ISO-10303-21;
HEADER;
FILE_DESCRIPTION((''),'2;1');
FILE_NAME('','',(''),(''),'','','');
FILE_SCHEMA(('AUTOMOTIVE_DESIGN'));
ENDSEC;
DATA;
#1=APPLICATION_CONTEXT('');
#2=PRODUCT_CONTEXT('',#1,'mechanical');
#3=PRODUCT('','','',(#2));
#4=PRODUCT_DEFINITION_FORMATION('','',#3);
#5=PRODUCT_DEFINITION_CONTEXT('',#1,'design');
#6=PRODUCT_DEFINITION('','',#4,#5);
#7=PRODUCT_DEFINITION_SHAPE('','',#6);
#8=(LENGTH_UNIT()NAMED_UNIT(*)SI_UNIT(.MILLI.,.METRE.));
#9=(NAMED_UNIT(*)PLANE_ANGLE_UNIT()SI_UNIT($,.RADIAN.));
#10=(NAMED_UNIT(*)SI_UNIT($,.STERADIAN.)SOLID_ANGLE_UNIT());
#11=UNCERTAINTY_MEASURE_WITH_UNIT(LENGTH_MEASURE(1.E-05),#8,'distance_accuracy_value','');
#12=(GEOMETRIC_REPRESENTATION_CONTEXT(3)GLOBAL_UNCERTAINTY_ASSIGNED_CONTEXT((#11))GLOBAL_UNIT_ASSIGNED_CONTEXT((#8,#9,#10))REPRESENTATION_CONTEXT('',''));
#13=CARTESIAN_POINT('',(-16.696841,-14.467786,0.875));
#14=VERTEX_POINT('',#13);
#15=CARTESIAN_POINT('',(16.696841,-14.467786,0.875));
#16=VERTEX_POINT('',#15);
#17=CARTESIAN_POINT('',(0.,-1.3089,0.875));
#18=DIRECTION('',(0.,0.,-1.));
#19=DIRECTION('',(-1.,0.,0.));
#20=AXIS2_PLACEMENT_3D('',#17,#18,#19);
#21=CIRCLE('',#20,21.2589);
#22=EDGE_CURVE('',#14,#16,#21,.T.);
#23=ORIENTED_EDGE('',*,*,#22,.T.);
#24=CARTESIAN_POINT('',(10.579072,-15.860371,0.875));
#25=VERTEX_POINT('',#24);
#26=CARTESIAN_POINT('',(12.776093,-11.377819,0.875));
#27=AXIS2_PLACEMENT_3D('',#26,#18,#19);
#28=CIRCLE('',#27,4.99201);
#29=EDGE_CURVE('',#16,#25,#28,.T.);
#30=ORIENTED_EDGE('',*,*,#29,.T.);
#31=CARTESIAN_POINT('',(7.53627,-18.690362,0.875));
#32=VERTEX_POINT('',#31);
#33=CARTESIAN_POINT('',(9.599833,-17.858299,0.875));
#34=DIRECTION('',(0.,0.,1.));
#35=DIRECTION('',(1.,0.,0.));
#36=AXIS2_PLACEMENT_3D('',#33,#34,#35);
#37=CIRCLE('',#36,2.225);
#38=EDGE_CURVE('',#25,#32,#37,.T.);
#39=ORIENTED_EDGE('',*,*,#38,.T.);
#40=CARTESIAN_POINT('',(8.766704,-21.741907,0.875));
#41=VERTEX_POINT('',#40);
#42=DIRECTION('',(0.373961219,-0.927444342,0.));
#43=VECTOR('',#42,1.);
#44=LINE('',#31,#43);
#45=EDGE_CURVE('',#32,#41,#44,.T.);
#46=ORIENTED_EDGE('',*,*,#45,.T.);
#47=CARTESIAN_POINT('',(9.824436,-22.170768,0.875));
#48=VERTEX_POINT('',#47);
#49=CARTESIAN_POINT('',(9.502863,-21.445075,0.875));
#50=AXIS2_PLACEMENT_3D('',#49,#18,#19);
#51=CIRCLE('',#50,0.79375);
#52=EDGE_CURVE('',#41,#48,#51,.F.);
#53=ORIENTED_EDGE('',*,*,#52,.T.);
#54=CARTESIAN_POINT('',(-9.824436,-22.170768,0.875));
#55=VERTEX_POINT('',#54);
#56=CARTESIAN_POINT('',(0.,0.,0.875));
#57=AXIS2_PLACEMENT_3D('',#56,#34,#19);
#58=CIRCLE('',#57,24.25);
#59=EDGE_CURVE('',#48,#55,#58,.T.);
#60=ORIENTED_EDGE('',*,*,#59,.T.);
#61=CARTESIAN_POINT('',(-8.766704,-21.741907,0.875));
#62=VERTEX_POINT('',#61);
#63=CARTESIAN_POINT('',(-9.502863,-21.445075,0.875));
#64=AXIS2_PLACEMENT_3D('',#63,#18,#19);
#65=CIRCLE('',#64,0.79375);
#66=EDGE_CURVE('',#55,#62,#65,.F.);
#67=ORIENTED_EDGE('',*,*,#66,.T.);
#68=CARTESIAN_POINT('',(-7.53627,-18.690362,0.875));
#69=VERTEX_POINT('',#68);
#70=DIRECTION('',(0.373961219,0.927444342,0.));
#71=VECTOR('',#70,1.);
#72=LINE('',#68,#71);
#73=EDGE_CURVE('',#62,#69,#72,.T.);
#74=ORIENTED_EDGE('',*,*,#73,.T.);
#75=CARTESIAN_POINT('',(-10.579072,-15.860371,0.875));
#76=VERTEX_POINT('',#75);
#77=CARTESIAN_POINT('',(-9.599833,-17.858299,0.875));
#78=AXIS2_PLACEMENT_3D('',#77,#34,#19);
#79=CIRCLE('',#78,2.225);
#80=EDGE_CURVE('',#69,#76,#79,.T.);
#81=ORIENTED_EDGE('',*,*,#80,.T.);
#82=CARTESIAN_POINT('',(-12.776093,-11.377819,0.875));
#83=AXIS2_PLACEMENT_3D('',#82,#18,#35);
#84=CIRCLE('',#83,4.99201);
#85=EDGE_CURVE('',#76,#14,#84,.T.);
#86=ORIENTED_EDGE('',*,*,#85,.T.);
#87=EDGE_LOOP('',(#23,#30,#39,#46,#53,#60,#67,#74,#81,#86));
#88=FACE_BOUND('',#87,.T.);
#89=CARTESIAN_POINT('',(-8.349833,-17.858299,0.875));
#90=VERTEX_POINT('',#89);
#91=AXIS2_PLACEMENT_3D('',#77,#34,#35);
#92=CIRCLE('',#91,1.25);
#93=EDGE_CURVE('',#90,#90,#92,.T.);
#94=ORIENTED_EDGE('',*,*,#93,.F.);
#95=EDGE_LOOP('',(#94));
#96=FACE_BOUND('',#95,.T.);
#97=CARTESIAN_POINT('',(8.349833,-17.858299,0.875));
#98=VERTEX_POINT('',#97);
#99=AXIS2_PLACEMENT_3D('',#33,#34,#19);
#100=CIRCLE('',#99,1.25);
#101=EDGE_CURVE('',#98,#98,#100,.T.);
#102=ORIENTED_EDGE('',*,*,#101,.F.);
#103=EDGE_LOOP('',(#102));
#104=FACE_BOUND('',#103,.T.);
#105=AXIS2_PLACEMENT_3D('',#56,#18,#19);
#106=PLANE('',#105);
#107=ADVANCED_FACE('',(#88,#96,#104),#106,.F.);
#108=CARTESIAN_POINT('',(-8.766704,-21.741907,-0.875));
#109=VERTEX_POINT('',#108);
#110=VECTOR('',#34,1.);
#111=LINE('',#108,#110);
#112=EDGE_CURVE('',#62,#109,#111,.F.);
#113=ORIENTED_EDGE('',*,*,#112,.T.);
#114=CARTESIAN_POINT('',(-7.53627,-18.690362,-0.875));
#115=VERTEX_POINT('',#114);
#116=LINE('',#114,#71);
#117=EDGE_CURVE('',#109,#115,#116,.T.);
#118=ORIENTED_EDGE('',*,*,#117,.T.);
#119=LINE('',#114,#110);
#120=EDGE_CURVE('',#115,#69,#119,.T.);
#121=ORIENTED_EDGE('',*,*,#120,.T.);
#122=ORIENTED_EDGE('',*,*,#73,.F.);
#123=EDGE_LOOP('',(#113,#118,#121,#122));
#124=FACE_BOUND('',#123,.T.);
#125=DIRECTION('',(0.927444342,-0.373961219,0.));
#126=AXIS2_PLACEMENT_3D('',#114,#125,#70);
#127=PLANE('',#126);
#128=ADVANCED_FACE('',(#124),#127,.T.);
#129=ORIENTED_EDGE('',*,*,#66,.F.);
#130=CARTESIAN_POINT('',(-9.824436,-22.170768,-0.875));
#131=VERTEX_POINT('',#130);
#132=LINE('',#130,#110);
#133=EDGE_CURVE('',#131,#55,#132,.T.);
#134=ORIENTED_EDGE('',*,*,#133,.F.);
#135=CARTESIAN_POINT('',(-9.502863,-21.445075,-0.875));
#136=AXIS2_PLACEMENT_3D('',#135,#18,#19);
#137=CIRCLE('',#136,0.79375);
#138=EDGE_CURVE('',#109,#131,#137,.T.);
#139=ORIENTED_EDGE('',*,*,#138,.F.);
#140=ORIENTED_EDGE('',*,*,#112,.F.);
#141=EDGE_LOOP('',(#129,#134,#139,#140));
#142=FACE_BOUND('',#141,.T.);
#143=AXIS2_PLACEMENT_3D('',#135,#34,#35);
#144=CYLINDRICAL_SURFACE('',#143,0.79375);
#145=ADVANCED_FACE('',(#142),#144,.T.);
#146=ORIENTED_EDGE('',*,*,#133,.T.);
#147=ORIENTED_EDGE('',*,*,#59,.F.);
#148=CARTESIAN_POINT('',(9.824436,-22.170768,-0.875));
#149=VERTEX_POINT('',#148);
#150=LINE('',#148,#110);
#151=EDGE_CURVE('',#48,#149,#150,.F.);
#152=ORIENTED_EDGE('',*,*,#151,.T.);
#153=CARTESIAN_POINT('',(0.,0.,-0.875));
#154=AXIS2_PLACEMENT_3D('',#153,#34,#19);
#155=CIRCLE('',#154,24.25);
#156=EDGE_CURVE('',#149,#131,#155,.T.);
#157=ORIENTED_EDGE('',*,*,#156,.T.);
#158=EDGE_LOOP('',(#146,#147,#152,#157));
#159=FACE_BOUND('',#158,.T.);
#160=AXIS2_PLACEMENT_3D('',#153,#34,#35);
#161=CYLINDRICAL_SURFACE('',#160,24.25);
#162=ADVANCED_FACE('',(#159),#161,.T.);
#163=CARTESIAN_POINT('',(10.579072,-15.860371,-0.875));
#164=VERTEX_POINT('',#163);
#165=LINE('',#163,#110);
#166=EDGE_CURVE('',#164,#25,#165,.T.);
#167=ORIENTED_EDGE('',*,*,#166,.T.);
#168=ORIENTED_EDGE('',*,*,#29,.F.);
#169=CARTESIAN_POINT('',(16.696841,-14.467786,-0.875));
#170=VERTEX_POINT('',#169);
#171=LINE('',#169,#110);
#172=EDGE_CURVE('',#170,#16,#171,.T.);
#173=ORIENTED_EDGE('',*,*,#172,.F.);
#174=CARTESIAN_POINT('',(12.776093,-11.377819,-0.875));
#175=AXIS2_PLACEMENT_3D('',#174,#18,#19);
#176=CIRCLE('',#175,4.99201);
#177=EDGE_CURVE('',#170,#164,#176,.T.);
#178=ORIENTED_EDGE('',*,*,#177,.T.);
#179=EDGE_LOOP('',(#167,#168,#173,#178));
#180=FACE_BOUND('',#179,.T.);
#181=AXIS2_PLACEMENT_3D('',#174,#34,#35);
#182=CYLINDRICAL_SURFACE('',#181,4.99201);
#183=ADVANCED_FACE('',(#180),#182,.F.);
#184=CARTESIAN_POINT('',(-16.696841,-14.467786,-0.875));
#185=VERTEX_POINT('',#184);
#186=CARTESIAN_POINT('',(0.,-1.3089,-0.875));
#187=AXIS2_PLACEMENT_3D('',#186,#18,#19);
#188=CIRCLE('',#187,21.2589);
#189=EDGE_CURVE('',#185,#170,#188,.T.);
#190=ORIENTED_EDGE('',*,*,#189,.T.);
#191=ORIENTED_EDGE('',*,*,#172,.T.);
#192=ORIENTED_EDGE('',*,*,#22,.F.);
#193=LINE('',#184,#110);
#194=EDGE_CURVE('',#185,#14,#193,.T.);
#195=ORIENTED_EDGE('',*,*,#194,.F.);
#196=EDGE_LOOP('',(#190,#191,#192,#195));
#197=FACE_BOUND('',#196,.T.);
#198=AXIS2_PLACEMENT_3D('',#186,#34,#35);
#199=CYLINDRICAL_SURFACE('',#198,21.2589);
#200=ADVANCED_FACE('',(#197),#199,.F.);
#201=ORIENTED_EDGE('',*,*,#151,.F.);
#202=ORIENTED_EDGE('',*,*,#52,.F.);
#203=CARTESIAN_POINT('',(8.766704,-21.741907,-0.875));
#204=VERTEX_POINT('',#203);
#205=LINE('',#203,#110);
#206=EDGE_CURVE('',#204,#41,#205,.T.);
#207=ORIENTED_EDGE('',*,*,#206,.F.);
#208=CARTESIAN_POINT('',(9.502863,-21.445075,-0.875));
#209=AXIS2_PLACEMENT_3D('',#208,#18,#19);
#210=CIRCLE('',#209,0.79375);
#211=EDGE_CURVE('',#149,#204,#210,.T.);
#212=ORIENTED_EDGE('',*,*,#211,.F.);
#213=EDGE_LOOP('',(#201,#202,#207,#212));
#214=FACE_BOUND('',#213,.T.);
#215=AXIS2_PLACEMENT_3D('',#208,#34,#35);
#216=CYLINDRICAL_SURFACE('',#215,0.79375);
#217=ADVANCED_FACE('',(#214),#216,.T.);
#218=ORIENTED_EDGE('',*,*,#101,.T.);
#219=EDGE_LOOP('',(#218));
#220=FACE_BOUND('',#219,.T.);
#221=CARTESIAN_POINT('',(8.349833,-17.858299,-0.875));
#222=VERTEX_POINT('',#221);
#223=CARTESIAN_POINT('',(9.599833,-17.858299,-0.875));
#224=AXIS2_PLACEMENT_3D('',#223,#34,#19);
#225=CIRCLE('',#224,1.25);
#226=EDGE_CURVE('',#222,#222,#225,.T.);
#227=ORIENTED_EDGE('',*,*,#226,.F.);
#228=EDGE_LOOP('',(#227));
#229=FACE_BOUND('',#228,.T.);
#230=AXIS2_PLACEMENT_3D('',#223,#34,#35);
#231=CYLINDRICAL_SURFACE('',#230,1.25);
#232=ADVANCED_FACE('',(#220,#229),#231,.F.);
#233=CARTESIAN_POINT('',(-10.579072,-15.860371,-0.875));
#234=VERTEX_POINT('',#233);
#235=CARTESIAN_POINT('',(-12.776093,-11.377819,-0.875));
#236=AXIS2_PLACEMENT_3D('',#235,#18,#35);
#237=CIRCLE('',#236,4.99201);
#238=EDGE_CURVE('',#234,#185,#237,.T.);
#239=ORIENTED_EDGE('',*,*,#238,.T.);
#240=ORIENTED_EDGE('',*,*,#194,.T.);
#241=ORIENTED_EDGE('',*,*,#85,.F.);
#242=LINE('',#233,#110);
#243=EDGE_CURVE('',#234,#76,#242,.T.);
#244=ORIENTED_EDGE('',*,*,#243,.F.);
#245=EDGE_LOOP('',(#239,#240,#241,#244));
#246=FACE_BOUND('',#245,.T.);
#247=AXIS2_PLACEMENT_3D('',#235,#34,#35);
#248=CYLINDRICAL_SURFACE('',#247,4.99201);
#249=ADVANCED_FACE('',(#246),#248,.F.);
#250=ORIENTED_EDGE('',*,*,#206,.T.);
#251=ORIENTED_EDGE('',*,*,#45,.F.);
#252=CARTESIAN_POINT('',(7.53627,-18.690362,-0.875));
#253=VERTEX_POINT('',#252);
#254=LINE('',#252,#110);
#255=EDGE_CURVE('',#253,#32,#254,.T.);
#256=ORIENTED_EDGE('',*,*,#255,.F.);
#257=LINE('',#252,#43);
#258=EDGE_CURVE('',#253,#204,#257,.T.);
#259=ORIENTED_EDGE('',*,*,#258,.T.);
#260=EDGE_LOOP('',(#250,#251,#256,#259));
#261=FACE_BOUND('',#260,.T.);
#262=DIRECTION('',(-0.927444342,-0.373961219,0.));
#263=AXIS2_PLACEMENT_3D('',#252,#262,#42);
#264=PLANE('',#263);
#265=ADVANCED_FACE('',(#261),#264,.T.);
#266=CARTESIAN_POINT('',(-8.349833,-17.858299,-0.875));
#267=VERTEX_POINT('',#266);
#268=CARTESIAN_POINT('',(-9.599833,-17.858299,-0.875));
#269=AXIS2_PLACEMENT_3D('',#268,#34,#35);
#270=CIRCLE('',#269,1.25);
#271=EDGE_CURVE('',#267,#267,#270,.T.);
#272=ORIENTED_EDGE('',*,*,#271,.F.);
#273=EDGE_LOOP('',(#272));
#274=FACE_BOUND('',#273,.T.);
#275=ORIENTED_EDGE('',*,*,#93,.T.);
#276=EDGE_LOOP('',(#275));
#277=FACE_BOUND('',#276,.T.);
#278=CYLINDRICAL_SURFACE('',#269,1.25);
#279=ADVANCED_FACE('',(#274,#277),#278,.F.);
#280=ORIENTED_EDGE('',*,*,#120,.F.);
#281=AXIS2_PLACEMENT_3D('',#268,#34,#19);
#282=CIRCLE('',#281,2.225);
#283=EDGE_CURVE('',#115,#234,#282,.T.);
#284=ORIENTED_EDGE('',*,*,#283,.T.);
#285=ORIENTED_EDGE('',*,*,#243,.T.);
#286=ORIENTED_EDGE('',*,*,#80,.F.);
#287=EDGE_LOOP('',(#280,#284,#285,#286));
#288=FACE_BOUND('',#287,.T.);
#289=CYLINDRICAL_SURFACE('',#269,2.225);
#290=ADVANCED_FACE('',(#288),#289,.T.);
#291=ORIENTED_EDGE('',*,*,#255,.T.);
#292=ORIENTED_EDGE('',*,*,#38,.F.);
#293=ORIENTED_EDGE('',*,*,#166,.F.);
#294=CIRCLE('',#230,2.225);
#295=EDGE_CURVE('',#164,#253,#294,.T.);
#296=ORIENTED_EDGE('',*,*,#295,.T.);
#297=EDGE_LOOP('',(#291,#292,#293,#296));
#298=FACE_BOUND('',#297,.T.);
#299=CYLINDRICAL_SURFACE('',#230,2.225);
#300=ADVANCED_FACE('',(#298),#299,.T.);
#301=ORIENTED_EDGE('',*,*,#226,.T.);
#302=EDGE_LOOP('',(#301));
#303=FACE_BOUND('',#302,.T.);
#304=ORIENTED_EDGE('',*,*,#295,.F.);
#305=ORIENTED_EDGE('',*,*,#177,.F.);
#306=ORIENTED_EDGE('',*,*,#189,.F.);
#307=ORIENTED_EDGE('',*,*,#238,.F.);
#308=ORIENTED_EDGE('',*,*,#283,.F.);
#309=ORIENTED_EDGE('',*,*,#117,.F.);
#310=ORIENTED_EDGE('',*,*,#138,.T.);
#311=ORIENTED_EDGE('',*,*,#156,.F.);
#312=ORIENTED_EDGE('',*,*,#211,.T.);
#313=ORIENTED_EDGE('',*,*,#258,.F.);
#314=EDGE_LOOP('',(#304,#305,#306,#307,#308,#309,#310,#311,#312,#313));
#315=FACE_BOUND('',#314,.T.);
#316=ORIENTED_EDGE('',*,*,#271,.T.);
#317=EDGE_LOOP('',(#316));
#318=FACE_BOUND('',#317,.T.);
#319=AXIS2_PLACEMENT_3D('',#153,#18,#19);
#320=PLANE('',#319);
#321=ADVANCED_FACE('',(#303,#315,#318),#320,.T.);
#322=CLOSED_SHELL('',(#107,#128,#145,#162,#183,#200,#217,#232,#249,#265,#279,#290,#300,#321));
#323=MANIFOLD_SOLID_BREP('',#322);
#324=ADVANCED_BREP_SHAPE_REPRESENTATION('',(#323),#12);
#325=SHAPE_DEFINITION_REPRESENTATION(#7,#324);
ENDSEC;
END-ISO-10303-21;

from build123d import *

# Parameters (mm, degrees)
BOSS_EXTRUDE1_DEPTH      = 0.875
BOSS_EXTRUDE1_DEPTH_BACK = 0.875
SKETCH3_R                = 1.25
FILLET1_R                = 0.79375


with BuildPart() as part:
    # Sketch3 → Boss-Extrude1 (new, two sides: drawn at the far end of the back side and taken through both)
    with BuildSketch(Plane.XY.offset(-BOSS_EXTRUDE1_DEPTH_BACK)):
        with BuildLine():
            Line((-7.536269642, -18.690362219), (-9.068559557, -22.490525284))
            ThreePointArc((-9.068559557, -22.490525284), (0, 24.25), (9.068559557, -22.490525284))
            Line((9.068559557, -22.490525284), (7.536269642, -18.690362219))
            ThreePointArc((7.536269642, -18.690362219), (8.084526994, -16.229043526), (10.57907226, -15.860370565))
            ThreePointArc((10.57907226, -15.860370565), (13.884078483, -16.245316894), (16.696841294, -14.467786253))
            ThreePointArc((16.696841294, -14.467786253), (0, 19.95), (-16.696841294, -14.467786253))
            ThreePointArc((-16.696841294, -14.467786253), (-13.884078483, -16.245316894), (-10.57907226, -15.860370565))
            ThreePointArc((-10.57907226, -15.860370565), (-8.084526994, -16.229043526), (-7.536269642, -18.690362219))
        make_face()
        with Locations((-9.599833302, -17.858298507)):
            Circle(SKETCH3_R, mode=Mode.SUBTRACT)
        with Locations(Location((9.599833302, -17.858298507, 0), (0, 0, 180))):
            Circle(SKETCH3_R, mode=Mode.SUBTRACT)
    extrude(amount=BOSS_EXTRUDE1_DEPTH + BOSS_EXTRUDE1_DEPTH_BACK)

    # Fillet1
    fillet1_edges = [part.edges().sort_by_distance(p)[0] for p in [
        (9.068559557, -22.490525284, 0),
        (-9.068559557, -22.490525284, 0),
    ]]
    fillet(fillet1_edges, radius=FILLET1_R)


solid = part.part
